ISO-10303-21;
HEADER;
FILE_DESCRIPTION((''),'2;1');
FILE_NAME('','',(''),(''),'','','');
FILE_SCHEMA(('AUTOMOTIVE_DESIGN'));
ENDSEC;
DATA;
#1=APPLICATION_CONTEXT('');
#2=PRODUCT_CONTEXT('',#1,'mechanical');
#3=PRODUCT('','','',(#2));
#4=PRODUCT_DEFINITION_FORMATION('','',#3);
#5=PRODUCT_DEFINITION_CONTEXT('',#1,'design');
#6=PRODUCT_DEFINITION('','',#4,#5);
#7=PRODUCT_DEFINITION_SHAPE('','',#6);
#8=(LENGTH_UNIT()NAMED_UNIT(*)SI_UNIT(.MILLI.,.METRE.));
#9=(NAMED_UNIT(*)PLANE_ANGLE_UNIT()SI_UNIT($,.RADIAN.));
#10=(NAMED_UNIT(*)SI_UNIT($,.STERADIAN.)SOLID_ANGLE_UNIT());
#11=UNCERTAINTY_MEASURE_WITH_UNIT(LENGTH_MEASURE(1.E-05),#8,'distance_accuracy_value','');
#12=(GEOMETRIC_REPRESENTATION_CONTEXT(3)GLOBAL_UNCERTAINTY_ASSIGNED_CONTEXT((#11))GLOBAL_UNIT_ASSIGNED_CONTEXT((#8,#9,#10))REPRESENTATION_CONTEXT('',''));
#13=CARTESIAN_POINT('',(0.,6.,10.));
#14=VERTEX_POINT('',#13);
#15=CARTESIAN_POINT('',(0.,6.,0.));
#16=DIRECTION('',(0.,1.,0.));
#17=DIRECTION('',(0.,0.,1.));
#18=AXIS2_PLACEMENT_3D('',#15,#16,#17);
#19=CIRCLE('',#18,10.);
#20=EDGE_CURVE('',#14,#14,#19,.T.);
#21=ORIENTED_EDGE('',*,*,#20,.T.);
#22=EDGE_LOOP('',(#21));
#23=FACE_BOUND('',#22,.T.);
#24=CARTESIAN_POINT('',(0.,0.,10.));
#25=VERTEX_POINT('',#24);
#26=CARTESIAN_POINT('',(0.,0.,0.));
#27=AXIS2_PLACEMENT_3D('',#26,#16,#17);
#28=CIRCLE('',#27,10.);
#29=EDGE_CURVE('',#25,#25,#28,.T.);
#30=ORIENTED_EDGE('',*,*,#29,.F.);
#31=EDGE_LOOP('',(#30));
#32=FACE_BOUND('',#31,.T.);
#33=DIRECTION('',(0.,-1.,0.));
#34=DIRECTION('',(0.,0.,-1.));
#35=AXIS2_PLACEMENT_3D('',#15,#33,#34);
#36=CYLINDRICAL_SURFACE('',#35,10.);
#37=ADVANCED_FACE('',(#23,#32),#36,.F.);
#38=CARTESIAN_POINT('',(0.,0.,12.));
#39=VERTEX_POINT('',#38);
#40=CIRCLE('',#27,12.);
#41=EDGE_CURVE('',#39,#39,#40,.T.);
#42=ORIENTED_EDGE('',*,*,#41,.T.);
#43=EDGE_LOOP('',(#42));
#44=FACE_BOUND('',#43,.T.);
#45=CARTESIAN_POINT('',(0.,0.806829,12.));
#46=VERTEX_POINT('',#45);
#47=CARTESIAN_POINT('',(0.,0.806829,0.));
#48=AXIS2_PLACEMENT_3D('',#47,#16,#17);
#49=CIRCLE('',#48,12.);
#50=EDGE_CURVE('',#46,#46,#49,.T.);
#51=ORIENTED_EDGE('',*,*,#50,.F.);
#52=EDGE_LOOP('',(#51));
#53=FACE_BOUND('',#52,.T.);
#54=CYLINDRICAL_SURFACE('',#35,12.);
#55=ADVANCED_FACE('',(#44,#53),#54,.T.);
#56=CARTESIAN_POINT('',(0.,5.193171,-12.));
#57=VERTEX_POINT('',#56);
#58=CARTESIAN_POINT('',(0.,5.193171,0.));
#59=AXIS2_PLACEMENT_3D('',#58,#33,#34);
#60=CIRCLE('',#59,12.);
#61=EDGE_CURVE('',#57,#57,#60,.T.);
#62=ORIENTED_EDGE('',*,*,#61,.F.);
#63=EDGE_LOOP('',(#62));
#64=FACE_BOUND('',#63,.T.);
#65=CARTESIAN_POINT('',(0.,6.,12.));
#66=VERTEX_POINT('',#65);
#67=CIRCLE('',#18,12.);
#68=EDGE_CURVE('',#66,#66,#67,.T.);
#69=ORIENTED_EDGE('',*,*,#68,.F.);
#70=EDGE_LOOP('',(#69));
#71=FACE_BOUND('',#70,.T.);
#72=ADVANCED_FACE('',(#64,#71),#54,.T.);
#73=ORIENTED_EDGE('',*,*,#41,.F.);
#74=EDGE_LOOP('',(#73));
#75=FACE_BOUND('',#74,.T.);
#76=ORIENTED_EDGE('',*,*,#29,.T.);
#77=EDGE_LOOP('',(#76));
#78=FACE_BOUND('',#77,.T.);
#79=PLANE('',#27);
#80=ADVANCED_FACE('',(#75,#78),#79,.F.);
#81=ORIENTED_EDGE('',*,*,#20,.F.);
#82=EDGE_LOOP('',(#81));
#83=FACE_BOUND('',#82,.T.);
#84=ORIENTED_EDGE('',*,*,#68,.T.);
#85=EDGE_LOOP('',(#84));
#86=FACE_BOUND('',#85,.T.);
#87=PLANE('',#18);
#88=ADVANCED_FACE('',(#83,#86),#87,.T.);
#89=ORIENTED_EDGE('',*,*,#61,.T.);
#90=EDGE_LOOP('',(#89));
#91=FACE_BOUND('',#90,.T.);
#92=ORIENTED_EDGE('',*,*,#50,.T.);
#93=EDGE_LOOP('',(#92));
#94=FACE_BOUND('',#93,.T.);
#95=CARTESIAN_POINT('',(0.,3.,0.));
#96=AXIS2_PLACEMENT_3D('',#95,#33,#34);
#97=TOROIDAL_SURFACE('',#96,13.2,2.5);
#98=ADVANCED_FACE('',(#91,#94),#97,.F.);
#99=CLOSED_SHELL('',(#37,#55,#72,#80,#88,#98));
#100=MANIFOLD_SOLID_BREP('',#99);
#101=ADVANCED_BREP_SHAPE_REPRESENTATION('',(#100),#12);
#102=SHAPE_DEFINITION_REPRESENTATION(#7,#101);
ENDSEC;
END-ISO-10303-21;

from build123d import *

# Parameters (mm, degrees)
SKETCH1_R           = 12
SKETCH1_R_2         = 10
BOSS_EXTRUDE1_DEPTH = 6
SKETCH4_R           = 2.5


with BuildPart() as part:
    # Sketch1 → Boss-Extrude1 (new body)
    with BuildSketch(Plane(origin=(0, 0, 0), x_dir=(1, 0, 0), z_dir=(0, 1, 0))):
        Circle(SKETCH1_R)
        Circle(SKETCH1_R_2, mode=Mode.SUBTRACT)
    extrude(amount=BOSS_EXTRUDE1_DEPTH)

    # Sketch4 → Cut-Revolve2 (revolve, cut)
    with BuildSketch(Plane(origin=(0, 0, 0), x_dir=(0, 0, -1), z_dir=(1, 0, 0))):
        with Locations((-13.2, 3)):
            Circle(SKETCH4_R)
    revolve(axis=Axis((0, 0, 0), (0, 1, 0)), mode=Mode.SUBTRACT)


solid = part.part
